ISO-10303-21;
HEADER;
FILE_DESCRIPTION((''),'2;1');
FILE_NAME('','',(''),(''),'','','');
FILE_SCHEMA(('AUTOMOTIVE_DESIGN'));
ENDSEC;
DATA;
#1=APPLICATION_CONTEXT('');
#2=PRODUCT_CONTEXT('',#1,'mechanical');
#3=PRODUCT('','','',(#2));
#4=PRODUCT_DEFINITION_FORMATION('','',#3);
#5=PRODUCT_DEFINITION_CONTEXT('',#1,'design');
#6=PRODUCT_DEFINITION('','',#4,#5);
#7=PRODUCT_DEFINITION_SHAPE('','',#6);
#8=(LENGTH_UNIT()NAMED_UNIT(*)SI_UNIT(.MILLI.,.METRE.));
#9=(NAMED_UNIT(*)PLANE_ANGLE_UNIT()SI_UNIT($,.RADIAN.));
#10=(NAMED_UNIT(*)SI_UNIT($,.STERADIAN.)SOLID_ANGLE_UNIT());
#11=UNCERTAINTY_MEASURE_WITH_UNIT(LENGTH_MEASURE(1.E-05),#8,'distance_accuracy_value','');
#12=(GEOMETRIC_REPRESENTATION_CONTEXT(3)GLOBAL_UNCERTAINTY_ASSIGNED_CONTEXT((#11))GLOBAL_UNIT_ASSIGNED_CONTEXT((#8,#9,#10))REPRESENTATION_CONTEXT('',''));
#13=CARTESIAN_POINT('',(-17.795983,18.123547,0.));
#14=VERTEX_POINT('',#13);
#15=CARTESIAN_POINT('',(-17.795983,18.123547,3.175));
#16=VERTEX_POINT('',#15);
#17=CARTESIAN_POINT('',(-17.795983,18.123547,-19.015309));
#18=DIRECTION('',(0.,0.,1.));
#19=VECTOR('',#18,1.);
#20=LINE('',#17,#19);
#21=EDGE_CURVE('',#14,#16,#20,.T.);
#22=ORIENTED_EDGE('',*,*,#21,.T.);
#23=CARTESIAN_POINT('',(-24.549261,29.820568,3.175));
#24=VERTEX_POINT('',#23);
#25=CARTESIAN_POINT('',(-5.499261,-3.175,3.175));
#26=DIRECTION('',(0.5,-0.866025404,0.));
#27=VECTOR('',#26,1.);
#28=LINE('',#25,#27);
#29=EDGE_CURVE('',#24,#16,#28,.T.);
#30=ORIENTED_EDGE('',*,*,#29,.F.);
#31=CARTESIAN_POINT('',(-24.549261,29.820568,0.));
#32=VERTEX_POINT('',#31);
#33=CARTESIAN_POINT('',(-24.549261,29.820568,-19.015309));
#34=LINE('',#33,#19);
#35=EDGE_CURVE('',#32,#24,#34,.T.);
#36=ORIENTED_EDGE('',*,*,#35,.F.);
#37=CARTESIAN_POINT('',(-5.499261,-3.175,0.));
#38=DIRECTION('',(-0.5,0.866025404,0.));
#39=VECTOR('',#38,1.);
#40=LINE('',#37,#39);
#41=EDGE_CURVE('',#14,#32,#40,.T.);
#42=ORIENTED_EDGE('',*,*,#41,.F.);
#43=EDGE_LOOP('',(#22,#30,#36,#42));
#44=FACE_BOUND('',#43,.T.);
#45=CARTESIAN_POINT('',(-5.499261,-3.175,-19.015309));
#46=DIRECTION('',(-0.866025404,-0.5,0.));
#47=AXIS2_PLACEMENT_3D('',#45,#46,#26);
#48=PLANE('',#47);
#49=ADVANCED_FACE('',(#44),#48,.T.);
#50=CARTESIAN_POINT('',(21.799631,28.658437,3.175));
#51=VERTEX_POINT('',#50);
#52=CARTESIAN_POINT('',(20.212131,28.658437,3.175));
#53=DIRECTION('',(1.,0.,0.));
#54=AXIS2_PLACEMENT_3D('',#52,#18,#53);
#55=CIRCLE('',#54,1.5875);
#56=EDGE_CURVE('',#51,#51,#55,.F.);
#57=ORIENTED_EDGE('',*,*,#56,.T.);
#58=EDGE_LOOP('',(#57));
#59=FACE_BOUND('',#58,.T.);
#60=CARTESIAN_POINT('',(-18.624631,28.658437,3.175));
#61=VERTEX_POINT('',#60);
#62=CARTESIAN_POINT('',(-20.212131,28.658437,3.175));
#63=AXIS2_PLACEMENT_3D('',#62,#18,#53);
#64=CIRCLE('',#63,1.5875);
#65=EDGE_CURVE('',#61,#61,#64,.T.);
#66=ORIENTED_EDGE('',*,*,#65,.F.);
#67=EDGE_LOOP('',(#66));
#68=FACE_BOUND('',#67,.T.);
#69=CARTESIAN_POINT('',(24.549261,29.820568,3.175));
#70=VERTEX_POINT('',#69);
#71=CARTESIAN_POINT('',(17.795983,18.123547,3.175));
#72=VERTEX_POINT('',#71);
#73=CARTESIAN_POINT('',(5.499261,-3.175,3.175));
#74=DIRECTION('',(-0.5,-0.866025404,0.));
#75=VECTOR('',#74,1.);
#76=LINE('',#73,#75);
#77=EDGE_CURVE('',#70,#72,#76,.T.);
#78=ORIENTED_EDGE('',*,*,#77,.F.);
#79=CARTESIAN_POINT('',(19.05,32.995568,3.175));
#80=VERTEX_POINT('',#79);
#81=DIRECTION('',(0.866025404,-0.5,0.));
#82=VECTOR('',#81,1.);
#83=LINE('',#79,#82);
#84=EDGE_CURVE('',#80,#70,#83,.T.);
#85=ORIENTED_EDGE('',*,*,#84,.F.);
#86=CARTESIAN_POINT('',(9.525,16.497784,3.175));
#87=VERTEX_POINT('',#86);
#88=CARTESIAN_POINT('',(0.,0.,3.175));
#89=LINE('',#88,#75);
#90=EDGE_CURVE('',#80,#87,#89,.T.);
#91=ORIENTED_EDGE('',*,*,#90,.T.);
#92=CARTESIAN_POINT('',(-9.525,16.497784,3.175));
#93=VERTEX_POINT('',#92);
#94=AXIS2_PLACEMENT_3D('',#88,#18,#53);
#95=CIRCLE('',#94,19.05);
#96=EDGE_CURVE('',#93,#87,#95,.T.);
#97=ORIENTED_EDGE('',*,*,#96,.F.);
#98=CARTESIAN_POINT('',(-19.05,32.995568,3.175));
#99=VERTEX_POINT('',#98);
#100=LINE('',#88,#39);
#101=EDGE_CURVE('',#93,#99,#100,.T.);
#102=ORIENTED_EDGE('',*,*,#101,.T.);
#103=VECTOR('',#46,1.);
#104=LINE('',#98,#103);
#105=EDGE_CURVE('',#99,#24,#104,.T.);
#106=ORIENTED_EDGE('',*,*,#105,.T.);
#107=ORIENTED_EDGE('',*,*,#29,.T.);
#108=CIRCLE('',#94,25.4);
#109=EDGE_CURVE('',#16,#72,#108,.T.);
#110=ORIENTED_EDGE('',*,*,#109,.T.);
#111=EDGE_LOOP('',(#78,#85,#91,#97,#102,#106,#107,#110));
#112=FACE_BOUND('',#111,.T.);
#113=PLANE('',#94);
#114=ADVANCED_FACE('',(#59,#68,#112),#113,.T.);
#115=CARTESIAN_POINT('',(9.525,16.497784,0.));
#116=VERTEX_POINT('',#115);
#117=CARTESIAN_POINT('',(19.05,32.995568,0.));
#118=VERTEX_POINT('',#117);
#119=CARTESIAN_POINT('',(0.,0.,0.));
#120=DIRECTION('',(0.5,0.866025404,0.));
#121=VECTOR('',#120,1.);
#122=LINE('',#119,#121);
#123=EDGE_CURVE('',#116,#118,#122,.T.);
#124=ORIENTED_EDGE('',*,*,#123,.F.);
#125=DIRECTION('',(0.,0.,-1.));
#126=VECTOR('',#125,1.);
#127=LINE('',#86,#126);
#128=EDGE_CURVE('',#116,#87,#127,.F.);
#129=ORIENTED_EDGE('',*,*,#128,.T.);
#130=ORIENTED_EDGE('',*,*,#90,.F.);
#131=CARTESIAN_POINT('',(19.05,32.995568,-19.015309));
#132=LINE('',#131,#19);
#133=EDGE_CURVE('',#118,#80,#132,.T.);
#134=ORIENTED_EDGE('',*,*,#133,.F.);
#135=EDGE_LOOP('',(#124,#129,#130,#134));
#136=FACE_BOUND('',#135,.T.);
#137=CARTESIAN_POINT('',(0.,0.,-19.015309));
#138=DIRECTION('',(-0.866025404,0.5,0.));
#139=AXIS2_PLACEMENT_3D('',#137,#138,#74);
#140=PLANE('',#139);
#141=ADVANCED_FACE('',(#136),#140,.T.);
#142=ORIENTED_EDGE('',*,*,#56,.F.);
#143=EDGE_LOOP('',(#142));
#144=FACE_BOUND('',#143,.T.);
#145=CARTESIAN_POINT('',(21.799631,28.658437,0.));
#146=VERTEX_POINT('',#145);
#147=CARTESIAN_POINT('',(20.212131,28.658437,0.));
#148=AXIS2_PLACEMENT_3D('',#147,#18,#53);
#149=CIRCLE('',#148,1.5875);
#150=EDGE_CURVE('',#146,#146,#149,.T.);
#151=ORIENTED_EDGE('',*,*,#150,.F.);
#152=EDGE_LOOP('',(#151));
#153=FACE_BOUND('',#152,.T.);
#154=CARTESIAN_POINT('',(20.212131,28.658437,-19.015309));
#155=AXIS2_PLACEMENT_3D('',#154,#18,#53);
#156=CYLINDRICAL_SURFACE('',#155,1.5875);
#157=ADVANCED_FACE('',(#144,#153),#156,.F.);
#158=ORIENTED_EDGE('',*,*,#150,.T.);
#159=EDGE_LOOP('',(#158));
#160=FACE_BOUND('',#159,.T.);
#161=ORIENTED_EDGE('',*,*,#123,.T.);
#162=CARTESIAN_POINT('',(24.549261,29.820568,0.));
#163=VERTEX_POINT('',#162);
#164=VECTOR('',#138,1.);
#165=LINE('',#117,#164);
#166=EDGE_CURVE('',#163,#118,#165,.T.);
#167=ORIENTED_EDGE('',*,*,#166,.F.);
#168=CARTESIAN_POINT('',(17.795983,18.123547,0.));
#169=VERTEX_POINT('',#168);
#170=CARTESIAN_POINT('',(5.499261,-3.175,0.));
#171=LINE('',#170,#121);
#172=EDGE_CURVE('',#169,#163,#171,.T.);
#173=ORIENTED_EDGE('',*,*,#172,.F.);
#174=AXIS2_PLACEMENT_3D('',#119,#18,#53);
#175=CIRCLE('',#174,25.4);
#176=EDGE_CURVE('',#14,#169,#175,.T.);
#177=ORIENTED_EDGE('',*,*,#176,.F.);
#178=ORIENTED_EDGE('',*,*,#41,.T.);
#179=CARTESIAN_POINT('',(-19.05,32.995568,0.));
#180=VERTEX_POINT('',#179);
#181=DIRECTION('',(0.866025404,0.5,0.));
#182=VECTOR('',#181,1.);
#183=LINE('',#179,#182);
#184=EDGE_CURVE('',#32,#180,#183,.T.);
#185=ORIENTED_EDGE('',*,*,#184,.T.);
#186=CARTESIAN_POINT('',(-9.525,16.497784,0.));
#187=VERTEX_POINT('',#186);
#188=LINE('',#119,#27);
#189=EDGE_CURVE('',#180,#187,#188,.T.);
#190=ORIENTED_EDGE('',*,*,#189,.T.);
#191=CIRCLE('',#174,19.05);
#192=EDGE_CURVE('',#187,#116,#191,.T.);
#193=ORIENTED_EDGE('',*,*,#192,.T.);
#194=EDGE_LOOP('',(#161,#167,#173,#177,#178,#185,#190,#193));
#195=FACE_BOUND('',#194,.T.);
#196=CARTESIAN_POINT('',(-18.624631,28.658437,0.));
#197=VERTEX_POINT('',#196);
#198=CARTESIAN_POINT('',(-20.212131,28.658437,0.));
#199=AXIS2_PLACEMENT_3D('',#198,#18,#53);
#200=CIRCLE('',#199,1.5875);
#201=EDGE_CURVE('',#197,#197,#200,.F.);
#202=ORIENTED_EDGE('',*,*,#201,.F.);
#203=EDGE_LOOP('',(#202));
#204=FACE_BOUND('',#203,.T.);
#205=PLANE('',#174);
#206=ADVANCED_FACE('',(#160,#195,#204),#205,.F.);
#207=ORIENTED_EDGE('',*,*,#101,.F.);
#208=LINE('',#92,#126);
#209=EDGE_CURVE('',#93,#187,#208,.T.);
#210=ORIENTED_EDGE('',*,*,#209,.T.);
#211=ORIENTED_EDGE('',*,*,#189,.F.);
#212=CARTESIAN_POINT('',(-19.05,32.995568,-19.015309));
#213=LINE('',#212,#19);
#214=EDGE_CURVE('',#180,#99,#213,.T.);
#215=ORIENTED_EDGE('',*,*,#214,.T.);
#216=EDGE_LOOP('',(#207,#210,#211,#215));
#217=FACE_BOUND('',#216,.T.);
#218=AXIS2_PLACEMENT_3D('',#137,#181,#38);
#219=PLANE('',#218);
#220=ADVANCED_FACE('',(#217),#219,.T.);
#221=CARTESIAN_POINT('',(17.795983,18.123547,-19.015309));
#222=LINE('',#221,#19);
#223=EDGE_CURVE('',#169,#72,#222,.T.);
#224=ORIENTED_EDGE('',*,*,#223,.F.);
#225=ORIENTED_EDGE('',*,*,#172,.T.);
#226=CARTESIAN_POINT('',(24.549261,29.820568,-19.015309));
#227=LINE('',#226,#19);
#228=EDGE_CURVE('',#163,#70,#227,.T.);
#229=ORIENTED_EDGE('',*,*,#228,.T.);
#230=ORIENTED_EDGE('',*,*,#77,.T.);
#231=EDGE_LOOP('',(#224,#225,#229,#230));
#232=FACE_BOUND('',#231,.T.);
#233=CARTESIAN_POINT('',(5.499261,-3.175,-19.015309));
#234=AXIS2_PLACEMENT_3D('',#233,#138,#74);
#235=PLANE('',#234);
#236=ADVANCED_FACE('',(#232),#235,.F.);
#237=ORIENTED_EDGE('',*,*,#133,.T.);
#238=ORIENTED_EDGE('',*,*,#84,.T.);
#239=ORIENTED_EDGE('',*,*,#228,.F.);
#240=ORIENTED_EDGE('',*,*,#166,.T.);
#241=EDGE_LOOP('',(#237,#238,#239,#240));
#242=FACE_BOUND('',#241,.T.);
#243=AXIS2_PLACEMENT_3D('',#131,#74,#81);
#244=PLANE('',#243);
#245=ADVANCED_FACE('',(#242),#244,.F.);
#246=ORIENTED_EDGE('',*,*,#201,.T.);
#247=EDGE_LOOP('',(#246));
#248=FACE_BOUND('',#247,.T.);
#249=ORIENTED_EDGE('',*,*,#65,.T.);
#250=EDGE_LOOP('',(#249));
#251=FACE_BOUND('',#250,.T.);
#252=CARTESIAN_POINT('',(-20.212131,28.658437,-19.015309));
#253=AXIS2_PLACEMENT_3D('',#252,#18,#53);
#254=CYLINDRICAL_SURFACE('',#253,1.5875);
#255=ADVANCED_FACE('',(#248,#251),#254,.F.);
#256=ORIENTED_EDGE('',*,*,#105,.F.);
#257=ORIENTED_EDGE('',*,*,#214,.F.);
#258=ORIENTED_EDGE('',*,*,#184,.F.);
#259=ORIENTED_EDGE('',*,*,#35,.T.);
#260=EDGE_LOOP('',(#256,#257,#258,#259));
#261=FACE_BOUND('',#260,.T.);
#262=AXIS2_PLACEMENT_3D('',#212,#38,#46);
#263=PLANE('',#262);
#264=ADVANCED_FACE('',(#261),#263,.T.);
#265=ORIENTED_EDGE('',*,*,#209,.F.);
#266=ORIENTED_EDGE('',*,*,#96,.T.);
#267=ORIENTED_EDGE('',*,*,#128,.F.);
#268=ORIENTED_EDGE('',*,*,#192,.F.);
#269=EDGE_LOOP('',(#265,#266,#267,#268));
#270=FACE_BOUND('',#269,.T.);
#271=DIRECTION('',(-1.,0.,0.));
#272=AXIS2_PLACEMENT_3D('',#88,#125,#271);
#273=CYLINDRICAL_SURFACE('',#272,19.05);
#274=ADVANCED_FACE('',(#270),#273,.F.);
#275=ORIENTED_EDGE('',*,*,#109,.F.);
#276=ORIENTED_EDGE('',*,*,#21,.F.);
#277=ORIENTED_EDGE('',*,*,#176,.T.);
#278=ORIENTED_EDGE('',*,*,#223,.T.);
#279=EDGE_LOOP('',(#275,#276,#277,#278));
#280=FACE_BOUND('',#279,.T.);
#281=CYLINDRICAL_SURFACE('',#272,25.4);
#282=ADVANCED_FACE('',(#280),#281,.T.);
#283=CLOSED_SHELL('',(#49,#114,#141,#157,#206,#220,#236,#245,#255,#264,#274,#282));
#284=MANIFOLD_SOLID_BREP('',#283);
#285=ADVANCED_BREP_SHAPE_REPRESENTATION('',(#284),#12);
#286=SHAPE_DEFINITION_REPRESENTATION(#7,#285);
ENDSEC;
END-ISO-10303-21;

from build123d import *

# Parameters (mm, degrees)
SKETCH2_R           = 25.4
SKETCH2_R_2         = 22.225
SKETCH2_R_3         = 19.05
BOSS_EXTRUDE1_DEPTH = 3.175
SKETCH3_R           = 1.5875
BOSS_EXTRUDE2_DEPTH = 3.175
CUT_EXTRUDE1_DEPTH  = 3.175


with BuildPart() as part:
    # Sketch2 → Boss-Extrude1 (new body)
    with BuildSketch(Plane.XY):
        Circle(SKETCH2_R)
        Circle(SKETCH2_R_2, mode=Mode.SUBTRACT)
        Circle(SKETCH2_R_2)
        Circle(SKETCH2_R_3, mode=Mode.SUBTRACT)
    extrude(amount=BOSS_EXTRUDE1_DEPTH)

    # Sketch3 → Boss-Extrude2 (add)
    with BuildSketch(Plane.XY.offset(3.175)):
        with BuildLine():
            ThreePointArc((-17.795983438, 18.123547486), (-15.370499267, 20.22146761), (-12.7, 21.997045256))
            Line((-12.7, 21.997045256), (-19.05, 32.995567884))
            Line((-19.05, 32.995567884), (-24.549261314, 29.820567884))
            Line((-24.549261314, 29.820567884), (-18.199261314, 18.822045256))
            Line((-18.199261314, 18.822045256), (-17.795983438, 18.123547486))
        make_face()
        with Locations((-20.212130657, 28.658437227)):
            Circle(SKETCH3_R, mode=Mode.SUBTRACT)
        with BuildLine():
            Line((19.05, 32.995567884), (12.7, 21.997045256))
            ThreePointArc((12.7, 21.997045256), (15.370499267, 20.22146761), (17.795983438, 18.123547486))
            Line((17.795983438, 18.123547486), (18.199261314, 18.822045256))
            Line((18.199261314, 18.822045256), (24.549261314, 29.820567884))
            Line((24.549261314, 29.820567884), (19.05, 32.995567884))
        make_face()
        with Locations((20.212130657, 28.658437227)):
            Circle(SKETCH3_R, mode=Mode.SUBTRACT)
    extrude(amount=-BOSS_EXTRUDE2_DEPTH)

    # Sketch5 → Cut-Extrude1 (cut)
    with BuildSketch(Plane.XY.offset(3.175)):
        with BuildLine():
            Line((-12.7, 21.997045256), (0, 0))
            Line((0, 0), (12.7, 21.997045256))
            ThreePointArc((12.7, 21.997045256), (0, 25.4), (-12.7, 21.997045256))
        make_face()
    extrude(amount=-CUT_EXTRUDE1_DEPTH, mode=Mode.SUBTRACT)


solid = part.part
